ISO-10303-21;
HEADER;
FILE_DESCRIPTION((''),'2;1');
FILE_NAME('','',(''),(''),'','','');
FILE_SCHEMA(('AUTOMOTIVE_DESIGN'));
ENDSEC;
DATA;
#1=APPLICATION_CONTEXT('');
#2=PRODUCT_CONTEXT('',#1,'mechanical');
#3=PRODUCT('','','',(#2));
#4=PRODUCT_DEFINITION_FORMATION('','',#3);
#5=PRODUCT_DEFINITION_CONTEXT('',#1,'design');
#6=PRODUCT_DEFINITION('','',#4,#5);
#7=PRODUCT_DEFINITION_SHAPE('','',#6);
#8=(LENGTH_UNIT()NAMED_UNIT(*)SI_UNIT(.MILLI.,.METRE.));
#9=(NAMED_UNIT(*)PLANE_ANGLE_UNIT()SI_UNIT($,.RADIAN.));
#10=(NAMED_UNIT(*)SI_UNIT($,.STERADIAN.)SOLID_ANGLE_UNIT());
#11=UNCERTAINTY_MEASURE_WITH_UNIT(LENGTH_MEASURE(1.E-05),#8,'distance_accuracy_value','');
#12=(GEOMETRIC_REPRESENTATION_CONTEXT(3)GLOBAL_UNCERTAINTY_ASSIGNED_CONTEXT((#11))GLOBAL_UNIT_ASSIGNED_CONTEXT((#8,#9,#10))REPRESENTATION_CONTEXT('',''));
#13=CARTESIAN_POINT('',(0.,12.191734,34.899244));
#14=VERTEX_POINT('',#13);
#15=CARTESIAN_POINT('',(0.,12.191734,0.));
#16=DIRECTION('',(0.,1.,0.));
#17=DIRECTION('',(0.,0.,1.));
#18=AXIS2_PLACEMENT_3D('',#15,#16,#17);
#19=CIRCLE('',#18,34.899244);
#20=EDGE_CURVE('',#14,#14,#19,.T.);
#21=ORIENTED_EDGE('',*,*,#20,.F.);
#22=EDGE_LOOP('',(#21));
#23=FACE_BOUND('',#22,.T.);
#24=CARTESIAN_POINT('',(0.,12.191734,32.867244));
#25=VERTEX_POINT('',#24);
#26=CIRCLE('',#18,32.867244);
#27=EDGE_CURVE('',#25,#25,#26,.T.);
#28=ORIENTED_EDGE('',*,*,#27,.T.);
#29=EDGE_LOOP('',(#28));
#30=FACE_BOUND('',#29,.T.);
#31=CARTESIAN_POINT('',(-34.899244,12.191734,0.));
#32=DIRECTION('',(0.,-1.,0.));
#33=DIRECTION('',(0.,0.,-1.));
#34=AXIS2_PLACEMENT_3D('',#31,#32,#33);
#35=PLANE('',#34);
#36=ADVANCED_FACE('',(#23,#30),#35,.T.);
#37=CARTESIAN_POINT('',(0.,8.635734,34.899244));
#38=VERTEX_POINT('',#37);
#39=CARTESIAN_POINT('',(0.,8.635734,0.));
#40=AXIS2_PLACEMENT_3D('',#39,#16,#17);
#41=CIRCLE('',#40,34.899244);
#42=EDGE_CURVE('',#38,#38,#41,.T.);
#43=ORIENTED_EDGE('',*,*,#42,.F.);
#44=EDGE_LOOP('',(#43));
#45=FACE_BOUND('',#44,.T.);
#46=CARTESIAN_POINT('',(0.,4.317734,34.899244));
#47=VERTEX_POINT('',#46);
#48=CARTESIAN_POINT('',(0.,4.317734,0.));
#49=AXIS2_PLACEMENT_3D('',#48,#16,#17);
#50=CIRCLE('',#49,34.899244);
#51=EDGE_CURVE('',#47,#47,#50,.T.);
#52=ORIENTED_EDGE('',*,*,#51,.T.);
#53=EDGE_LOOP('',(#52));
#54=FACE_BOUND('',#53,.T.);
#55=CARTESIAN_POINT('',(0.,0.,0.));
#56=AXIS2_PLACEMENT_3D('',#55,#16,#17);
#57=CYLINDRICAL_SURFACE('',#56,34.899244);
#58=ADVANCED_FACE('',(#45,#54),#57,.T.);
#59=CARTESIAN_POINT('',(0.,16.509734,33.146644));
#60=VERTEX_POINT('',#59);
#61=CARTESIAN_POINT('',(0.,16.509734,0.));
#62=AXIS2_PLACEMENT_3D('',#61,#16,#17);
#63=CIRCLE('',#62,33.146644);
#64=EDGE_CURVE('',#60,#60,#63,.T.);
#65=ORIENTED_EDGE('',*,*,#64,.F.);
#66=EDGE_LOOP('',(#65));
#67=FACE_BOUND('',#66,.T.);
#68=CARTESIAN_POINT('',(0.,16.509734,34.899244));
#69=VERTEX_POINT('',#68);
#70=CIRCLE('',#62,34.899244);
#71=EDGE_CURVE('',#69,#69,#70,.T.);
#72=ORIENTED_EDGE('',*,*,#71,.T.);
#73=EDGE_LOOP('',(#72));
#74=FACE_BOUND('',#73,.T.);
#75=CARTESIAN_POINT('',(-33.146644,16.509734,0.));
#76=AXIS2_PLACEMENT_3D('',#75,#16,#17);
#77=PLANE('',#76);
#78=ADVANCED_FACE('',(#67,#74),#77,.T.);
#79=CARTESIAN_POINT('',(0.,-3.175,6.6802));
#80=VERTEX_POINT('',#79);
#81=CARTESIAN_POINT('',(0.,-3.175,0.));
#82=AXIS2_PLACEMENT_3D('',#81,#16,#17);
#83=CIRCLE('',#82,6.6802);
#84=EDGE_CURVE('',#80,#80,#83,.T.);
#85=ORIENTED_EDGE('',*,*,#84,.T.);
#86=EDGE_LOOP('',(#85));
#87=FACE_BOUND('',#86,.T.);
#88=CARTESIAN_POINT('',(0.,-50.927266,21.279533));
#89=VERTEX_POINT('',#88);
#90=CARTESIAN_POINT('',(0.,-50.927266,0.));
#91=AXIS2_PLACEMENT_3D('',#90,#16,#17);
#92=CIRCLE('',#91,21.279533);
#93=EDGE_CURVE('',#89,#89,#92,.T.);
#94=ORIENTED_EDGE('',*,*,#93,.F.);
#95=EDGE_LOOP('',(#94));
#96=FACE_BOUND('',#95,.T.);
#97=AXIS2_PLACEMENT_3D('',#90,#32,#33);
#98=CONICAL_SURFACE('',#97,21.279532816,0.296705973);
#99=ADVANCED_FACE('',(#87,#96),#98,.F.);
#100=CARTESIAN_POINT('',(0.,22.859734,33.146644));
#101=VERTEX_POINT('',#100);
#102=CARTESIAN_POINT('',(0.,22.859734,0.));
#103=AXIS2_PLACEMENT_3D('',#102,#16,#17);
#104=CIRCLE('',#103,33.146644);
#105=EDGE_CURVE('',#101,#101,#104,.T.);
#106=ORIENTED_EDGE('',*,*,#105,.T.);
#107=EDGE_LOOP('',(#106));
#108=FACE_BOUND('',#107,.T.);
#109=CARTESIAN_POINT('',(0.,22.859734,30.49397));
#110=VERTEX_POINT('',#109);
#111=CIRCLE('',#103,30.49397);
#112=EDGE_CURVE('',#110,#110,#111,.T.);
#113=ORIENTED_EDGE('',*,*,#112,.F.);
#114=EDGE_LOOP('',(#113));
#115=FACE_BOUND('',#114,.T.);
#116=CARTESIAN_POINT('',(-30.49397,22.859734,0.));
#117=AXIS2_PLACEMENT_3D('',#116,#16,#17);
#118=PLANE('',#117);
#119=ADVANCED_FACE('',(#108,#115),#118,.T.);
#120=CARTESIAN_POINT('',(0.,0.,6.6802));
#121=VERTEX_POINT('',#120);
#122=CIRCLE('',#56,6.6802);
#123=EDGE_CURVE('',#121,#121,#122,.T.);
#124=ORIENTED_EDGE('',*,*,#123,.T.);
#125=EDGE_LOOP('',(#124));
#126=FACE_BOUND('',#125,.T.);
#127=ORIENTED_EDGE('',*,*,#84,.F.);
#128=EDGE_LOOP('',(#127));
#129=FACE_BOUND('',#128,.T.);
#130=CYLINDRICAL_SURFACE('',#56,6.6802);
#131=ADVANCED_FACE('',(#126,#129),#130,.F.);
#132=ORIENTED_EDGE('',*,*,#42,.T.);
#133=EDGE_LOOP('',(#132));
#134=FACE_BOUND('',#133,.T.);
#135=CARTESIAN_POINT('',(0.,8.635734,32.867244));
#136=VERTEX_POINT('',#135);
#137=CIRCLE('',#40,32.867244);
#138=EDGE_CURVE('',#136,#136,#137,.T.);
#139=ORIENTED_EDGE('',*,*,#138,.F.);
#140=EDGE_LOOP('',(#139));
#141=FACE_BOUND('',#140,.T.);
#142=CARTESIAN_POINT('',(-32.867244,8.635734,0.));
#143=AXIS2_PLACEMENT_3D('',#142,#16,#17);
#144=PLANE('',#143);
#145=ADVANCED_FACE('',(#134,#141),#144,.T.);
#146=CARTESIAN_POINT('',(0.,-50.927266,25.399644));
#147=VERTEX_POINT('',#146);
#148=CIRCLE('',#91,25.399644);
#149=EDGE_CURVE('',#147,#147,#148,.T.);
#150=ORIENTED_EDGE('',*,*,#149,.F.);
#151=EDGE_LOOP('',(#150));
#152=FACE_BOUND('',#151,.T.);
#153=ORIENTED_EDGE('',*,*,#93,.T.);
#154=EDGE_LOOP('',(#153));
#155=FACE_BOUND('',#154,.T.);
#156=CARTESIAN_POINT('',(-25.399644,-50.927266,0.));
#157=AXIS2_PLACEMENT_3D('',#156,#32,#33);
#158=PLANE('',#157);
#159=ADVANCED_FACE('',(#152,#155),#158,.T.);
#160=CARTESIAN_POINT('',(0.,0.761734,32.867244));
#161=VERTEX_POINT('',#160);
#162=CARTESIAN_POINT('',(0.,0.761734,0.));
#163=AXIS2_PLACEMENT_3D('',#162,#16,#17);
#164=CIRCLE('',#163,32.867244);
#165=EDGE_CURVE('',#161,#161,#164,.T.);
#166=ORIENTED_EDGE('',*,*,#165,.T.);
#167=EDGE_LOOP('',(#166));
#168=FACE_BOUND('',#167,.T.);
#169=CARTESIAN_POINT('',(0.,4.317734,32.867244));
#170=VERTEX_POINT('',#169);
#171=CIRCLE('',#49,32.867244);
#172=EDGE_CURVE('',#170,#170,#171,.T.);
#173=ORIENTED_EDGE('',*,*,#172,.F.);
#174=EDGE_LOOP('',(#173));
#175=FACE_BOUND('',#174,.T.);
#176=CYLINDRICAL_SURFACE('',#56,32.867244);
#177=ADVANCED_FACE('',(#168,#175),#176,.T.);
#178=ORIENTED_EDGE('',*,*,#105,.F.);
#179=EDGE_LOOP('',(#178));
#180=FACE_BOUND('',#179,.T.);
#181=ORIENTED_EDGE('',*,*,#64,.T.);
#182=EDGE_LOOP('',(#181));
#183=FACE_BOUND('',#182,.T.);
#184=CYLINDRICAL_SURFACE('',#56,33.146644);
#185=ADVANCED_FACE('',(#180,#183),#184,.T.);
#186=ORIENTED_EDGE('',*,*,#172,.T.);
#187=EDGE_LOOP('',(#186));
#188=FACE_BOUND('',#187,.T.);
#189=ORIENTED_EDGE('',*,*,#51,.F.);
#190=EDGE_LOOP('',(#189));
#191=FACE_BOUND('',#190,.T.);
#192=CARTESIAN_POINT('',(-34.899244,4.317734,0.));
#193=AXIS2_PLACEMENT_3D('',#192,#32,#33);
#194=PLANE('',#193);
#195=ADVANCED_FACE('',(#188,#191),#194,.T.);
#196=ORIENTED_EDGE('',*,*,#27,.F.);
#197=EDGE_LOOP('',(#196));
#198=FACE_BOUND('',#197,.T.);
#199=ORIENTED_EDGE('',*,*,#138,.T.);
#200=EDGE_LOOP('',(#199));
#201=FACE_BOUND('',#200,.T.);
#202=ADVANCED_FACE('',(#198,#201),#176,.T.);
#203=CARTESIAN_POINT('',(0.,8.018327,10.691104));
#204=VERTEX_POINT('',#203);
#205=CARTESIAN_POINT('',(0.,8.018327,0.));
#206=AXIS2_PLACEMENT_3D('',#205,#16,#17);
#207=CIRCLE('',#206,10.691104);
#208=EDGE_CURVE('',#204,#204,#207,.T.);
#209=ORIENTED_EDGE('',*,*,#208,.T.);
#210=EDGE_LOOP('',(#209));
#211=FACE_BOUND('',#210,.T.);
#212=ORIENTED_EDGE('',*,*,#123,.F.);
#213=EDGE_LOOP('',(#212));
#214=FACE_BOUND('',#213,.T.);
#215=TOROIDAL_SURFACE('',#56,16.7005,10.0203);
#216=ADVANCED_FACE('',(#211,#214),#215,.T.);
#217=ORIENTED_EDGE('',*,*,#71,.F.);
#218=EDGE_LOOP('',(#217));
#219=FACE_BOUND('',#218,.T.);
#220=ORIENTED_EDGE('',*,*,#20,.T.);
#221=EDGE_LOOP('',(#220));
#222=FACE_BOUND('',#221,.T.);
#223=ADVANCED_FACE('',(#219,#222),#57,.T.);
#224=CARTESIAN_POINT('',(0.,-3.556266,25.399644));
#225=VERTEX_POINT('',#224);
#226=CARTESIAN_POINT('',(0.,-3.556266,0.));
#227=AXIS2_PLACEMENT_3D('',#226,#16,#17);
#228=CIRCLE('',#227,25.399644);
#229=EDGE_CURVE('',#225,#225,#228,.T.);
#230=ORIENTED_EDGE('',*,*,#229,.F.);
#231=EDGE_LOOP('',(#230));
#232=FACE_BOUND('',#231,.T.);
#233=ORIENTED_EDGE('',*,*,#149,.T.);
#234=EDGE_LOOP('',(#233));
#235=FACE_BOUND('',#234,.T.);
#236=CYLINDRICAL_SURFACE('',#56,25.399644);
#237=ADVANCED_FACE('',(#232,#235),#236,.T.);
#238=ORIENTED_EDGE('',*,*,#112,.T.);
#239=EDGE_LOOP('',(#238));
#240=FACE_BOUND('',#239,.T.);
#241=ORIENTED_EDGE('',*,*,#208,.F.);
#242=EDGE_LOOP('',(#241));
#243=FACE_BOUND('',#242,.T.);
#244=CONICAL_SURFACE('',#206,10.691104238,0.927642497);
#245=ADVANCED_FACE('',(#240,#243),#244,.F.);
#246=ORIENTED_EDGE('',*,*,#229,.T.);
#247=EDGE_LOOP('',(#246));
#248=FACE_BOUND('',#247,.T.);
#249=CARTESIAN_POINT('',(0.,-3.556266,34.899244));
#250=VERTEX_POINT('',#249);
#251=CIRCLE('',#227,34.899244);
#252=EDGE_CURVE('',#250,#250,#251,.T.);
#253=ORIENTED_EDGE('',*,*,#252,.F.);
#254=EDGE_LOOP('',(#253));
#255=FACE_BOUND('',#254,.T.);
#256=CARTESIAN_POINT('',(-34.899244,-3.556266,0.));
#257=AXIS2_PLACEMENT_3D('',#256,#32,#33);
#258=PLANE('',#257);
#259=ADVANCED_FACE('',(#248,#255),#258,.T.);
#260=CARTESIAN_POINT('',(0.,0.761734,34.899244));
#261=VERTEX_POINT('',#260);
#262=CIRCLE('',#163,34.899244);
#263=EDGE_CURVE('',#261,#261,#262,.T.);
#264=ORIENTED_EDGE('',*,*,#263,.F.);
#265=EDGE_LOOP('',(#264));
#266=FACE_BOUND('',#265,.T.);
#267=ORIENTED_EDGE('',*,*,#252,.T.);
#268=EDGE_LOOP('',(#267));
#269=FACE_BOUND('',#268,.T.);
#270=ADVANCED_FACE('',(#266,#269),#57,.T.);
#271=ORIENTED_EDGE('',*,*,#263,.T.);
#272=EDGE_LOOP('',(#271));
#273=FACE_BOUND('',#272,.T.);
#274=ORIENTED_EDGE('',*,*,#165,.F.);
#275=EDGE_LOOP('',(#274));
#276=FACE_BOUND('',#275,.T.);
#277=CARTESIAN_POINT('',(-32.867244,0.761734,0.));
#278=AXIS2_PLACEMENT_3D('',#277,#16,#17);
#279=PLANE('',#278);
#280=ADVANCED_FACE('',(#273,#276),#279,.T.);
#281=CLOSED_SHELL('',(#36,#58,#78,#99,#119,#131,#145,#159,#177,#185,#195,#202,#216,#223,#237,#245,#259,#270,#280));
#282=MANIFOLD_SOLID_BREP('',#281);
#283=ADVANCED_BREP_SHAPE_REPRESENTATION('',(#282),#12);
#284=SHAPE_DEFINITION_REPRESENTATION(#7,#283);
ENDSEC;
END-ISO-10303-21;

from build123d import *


with BuildPart() as part:
    # Sketch1 → Revolve1 (revolve)
    with BuildSketch(Plane.XY):
        with BuildLine():
            Line((-6.6802, 0), (-6.6802, -3.175))
            Line((-6.6802, -3.175), (-21.279532816, -50.92726597))
            Line((-21.279532816, -50.92726597), (-25.3996444, -50.92726597))
            Line((-25.3996444, -50.92726597), (-25.3996444, -3.55626597))
            Line((-25.3996444, -3.55626597), (-34.8992444, -3.55626597))
            Line((-34.8992444, -3.55626597), (-34.8992444, 0.76173403))
            Line((-34.8992444, 0.76173403), (-32.8672444, 0.76173403))
            Line((-32.8672444, 0.76173403), (-32.8672444, 4.31773403))
            Line((-32.8672444, 4.31773403), (-34.8992444, 4.31773403))
            Line((-34.8992444, 4.31773403), (-34.8992444, 8.63573403))
            Line((-34.8992444, 8.63573403), (-32.8672444, 8.63573403))
            Line((-32.8672444, 8.63573403), (-32.8672444, 12.19173403))
            Line((-32.8672444, 12.19173403), (-34.8992444, 12.19173403))
            Line((-34.8992444, 12.19173403), (-34.8992444, 16.50973403))
            Line((-34.8992444, 16.50973403), (-33.1466444, 16.50973403))
            Line((-33.1466444, 16.50973403), (-33.1466444, 22.85973403))
            Line((-33.1466444, 22.85973403), (-30.49397, 22.85973403))
            Line((-30.49397, 22.85973403), (-10.691104238, 8.018327423))
            ThreePointArc((-10.691104238, 8.018327423), (-7.73884947, 4.482770557), (-6.6802, 0))
        make_face()
    revolve(axis=Axis((0, 0, 0), (0, -1, 0)))


solid = part.part
